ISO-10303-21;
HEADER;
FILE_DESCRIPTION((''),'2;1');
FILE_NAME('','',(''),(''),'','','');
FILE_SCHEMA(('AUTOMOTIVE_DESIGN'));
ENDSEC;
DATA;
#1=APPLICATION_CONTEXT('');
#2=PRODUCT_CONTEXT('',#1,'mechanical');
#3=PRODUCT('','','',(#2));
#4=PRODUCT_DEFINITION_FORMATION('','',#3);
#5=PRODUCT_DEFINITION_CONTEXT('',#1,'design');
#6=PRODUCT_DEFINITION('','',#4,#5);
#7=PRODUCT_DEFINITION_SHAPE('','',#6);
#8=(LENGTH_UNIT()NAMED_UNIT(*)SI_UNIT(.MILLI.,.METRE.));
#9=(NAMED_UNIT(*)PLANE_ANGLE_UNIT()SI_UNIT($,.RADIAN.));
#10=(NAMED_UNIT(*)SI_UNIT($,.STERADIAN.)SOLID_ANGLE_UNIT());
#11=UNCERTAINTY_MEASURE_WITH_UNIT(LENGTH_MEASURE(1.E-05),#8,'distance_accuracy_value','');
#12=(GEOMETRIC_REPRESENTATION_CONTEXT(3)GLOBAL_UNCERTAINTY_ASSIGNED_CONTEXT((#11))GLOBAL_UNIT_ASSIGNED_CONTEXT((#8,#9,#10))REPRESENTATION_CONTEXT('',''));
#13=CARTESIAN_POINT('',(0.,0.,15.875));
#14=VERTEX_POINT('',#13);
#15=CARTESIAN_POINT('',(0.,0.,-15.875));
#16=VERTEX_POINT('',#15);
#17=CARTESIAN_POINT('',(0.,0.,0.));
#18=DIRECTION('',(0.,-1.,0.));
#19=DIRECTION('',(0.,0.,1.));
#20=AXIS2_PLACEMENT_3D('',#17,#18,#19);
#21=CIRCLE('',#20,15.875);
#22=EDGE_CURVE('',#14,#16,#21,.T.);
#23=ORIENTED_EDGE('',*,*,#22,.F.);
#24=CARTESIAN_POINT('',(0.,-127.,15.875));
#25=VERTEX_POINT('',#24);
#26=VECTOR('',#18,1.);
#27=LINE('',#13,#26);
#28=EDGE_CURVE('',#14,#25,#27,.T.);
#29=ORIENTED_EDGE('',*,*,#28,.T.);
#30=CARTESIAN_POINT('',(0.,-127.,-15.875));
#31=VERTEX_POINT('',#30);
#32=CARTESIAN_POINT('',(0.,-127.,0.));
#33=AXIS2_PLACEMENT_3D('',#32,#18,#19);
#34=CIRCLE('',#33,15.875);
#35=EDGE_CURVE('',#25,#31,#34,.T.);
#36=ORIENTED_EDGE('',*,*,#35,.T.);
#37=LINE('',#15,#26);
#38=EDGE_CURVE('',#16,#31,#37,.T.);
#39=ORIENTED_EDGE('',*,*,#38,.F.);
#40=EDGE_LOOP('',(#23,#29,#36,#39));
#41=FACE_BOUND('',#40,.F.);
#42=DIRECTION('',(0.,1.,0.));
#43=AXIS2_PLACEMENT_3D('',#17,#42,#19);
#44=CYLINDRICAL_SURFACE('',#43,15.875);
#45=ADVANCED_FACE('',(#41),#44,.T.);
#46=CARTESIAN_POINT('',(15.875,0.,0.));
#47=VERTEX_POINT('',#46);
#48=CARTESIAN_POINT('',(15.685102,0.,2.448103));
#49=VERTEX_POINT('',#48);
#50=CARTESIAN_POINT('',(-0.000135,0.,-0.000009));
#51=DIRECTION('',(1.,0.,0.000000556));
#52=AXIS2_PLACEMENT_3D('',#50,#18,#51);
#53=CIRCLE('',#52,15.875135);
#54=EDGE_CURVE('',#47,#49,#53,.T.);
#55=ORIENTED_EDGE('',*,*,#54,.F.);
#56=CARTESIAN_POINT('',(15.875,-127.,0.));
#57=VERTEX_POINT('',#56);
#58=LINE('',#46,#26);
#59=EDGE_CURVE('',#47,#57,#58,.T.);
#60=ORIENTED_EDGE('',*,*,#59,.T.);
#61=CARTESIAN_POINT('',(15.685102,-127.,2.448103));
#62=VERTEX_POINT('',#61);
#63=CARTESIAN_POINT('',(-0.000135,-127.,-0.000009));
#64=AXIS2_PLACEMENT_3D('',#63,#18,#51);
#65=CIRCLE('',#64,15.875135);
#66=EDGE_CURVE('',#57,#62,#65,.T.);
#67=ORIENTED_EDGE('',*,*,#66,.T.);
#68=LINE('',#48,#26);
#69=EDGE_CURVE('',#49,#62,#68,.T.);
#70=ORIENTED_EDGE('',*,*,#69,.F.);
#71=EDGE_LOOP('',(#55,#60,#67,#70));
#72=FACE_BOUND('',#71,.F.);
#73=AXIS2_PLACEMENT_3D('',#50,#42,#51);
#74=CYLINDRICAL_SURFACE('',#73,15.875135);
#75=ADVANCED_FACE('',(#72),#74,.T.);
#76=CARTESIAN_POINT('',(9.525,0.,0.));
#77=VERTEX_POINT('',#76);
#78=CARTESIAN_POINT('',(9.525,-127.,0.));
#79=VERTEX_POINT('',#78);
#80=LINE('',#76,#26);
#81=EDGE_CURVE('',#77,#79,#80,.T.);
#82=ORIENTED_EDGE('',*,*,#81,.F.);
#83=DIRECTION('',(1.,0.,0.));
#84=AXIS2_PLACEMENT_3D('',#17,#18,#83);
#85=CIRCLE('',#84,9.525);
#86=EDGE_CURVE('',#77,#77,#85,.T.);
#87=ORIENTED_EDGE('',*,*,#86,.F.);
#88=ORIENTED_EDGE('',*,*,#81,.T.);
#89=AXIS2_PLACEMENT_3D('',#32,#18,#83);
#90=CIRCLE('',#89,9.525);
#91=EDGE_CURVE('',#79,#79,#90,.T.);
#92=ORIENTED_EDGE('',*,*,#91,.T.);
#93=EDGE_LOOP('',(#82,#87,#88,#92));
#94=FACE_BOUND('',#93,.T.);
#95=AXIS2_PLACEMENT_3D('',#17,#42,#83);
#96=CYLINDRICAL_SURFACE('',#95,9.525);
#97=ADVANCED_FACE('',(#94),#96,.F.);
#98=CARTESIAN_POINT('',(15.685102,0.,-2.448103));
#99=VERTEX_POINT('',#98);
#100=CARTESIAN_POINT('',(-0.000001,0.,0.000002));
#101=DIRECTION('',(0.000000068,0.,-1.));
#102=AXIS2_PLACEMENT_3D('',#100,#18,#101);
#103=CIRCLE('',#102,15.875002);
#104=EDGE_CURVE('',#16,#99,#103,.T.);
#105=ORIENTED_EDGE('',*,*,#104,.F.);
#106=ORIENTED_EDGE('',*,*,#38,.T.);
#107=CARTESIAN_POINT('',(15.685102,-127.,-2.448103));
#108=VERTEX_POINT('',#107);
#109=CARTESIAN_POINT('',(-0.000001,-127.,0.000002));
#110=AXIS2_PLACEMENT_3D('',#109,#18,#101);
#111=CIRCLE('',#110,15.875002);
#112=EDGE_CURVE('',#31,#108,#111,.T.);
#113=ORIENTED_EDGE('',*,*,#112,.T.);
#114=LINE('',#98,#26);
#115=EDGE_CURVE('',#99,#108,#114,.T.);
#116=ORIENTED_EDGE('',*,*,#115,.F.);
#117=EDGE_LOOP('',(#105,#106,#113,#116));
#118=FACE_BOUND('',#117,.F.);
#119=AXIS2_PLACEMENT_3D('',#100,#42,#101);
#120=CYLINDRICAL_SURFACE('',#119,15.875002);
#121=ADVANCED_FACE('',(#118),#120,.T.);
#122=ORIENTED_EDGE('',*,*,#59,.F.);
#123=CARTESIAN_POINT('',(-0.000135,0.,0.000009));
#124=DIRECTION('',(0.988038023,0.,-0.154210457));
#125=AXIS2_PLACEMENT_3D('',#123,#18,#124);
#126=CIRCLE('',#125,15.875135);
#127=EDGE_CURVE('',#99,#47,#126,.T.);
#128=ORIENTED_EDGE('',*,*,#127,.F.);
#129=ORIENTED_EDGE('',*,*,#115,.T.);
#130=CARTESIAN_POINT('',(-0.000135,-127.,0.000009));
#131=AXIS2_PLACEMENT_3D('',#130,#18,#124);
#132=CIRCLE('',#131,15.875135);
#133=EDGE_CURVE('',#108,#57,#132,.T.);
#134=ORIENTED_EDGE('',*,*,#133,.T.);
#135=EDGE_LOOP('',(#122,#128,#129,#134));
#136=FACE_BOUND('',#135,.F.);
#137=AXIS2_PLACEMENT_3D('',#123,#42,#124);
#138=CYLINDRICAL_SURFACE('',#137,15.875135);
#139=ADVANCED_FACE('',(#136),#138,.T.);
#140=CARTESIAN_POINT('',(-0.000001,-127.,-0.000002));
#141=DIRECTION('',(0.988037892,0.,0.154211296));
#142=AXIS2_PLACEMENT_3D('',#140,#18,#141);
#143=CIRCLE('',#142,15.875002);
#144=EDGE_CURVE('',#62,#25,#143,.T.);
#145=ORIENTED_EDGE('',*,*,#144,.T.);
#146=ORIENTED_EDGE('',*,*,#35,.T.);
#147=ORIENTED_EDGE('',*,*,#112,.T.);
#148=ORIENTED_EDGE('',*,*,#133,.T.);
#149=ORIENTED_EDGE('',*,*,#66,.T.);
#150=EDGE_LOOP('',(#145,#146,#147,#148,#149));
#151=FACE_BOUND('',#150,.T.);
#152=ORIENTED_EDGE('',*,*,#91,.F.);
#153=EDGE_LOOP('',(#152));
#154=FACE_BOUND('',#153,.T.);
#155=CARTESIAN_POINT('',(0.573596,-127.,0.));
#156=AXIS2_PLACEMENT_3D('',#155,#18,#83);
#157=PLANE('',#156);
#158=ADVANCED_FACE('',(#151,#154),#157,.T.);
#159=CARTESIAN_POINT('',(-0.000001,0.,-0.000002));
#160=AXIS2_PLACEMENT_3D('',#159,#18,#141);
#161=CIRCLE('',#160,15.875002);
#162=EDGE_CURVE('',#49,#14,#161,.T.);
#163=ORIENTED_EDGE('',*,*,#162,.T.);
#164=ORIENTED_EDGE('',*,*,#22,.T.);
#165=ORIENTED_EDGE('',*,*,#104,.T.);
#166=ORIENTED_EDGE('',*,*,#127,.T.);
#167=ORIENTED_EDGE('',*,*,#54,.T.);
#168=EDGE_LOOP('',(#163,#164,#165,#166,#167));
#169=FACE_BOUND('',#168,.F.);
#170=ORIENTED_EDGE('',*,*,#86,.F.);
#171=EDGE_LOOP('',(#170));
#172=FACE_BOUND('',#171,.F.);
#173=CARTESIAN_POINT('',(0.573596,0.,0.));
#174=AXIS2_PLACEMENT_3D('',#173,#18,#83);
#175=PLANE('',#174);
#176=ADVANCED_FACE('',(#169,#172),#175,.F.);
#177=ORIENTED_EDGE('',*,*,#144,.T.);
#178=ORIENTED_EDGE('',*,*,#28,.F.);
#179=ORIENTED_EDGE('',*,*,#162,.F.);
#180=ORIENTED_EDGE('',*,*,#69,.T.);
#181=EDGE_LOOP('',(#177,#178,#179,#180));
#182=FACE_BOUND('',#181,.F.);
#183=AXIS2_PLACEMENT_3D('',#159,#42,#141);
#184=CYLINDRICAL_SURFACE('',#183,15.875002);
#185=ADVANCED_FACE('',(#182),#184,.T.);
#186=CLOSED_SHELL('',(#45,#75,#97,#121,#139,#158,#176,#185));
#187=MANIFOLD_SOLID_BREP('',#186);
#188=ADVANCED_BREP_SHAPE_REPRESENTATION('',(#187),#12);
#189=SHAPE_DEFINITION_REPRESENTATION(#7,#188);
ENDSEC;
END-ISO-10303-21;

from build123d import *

# Parameters (mm, degrees)
F0_R     = 9.525
F1_DEPTH = 127


with BuildPart() as f1:
    # F0 (on Front) → F1 (new body)
    with BuildSketch(Plane.XZ):
        with BuildLine():
            ThreePointArc((15.685102, -2.448103), (15.827454, -1.227728), (15.875, 0))
            ThreePointArc((15.875, 0), (15.827454, 1.227728), (15.685102, 2.448103))
            ThreePointArc((15.685102, 2.448103), (10.323565, 12.059835), (0, 15.875))
            ThreePointArc((0, 15.875), (-15.875, 0), (0, -15.875))
            ThreePointArc((0, -15.875), (10.323565, -12.059835), (15.685102, -2.448103))
        make_face()
        Circle(F0_R, mode=Mode.SUBTRACT)
    extrude(amount=F1_DEPTH)


solid = f1.part
